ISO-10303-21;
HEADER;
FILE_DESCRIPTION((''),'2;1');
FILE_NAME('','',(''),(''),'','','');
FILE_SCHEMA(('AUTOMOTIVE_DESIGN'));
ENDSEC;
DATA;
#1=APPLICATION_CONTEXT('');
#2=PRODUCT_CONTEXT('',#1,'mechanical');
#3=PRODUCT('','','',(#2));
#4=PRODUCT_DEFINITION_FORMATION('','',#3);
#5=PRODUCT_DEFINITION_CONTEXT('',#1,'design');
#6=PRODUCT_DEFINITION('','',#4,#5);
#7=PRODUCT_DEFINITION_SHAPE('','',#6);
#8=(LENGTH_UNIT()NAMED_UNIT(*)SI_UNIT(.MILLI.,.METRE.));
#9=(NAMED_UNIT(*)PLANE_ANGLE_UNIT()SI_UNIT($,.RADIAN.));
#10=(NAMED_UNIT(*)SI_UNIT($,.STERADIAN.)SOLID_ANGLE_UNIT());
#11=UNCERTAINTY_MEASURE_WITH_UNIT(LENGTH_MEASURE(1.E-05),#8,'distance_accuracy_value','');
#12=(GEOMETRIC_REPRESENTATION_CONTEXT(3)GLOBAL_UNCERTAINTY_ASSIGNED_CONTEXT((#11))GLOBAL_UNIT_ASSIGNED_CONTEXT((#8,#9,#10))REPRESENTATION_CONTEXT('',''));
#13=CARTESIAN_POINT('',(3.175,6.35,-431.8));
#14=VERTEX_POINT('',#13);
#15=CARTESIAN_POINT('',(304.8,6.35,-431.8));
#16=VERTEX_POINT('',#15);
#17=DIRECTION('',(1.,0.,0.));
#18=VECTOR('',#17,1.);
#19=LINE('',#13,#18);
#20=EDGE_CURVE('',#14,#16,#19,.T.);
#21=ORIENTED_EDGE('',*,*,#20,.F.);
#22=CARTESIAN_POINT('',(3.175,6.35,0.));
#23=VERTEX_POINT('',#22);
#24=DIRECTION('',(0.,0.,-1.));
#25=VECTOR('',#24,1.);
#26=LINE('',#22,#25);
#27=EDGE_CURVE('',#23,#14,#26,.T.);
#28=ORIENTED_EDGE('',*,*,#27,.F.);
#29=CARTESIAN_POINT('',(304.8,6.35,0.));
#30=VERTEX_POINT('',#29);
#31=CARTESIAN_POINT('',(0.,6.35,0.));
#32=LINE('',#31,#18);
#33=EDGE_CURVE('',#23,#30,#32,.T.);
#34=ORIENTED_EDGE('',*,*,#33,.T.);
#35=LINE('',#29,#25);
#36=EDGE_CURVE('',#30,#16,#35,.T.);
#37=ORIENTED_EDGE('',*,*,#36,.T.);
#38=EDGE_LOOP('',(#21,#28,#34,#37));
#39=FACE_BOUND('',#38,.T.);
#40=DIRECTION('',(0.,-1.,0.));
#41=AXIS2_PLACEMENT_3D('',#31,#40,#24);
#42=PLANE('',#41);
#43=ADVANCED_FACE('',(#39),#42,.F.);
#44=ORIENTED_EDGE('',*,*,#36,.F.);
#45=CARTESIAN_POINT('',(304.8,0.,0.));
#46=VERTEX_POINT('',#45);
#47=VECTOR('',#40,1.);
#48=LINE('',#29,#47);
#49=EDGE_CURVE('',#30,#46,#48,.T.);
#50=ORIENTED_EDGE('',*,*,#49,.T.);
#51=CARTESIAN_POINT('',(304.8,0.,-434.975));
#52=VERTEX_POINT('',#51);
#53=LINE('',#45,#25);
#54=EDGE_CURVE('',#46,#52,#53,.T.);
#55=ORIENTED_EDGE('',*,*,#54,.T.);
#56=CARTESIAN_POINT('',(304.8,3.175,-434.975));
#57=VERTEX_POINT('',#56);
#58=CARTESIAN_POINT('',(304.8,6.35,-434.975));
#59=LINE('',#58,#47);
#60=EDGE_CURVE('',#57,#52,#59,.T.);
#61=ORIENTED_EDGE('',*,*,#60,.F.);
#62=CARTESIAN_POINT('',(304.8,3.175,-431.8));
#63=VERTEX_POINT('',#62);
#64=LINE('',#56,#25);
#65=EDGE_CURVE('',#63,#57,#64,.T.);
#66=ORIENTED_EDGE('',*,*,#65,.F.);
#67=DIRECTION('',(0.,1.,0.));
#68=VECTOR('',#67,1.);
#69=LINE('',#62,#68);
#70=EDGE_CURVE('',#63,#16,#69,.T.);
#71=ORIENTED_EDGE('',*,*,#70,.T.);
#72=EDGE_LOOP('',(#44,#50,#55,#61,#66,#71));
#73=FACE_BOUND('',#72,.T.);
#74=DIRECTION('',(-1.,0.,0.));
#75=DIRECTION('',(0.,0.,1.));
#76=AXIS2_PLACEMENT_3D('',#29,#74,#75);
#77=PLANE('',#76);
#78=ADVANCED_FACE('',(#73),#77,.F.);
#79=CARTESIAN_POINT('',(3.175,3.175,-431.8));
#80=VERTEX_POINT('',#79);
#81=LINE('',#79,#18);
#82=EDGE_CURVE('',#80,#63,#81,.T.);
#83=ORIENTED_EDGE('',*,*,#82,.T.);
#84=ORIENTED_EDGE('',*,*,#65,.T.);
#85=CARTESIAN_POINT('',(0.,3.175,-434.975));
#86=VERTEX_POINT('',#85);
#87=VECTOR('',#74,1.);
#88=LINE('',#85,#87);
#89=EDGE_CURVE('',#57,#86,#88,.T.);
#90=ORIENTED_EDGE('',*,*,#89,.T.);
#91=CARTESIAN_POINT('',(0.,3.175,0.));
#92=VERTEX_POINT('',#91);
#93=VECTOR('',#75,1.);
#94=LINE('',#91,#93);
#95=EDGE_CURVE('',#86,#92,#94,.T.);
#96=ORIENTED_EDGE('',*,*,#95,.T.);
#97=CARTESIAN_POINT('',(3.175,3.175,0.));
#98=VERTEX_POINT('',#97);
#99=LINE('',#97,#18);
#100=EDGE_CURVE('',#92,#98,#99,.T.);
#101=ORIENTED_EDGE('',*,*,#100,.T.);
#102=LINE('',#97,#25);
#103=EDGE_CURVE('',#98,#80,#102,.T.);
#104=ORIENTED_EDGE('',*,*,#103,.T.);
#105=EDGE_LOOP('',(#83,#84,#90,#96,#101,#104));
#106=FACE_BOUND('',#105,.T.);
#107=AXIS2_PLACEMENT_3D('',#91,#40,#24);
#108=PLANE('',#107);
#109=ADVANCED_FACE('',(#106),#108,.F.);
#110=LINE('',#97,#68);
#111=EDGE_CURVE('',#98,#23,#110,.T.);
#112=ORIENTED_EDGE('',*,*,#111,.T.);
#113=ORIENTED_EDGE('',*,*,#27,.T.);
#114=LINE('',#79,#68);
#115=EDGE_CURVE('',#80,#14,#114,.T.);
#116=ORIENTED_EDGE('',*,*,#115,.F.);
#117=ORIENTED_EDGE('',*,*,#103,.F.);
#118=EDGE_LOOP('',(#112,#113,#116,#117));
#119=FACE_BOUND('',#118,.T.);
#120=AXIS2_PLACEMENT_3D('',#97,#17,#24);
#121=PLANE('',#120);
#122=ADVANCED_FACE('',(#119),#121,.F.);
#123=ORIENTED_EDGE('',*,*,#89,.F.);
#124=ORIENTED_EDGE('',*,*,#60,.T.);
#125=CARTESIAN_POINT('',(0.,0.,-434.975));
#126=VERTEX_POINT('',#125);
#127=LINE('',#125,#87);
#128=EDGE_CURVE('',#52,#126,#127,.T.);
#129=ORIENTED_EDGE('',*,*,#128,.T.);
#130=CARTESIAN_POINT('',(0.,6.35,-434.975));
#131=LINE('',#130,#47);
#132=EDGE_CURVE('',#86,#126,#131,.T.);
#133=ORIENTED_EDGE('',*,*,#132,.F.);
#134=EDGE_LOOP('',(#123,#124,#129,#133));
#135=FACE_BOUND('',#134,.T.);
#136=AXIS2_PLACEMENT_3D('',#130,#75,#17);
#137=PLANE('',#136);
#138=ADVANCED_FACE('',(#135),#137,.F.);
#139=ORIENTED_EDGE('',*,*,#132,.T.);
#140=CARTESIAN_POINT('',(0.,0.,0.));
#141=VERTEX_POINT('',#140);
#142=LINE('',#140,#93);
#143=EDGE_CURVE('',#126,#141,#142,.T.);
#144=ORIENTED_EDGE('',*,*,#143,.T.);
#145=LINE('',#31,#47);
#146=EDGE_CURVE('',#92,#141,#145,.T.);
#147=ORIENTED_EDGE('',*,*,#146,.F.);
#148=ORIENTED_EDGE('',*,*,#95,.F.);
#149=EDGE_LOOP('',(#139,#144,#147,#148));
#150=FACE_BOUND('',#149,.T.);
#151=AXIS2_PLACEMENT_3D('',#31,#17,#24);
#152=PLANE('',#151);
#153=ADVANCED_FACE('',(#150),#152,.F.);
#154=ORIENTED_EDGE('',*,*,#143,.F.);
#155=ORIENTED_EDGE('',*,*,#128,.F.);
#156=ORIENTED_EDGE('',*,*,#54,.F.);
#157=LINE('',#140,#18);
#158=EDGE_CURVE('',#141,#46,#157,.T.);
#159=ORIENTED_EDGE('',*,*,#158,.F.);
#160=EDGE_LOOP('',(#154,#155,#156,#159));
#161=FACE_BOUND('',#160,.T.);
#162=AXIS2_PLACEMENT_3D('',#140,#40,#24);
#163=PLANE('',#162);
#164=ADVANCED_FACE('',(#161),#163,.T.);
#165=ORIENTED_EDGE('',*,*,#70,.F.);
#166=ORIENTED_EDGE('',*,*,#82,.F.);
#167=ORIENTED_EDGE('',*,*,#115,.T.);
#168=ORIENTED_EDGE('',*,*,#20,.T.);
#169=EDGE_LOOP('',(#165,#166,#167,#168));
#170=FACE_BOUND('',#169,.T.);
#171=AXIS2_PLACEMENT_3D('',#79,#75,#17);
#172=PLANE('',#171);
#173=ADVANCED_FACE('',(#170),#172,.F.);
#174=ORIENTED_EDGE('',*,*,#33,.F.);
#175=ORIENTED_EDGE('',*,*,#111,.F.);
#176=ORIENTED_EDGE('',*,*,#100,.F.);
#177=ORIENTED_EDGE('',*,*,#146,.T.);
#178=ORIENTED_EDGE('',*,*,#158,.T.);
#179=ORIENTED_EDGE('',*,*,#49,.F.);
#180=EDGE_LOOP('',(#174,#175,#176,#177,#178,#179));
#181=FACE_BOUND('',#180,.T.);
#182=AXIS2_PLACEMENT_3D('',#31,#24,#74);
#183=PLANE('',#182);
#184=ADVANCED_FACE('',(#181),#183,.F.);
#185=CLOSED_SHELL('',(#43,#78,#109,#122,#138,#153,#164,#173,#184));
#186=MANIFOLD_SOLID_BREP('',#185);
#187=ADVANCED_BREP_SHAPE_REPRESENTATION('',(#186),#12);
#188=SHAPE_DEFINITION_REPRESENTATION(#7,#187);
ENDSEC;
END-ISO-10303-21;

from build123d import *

# Parameters (mm, degrees)
SKETCH1_W           = 304.8
SKETCH1_H           = 434.975
BOSS_EXTRUDE1_DEPTH = 6.35
CUT_EXTRUDE1_DEPTH  = 3.175


with BuildPart() as part:
    # Sketch1 → Boss-Extrude1 (new body)
    with BuildSketch(Plane(origin=(0, 0, 0), x_dir=(1, 0, 0), z_dir=(0, 1, 0))):
        with Locations((152.4, 217.4875)):
            Rectangle(SKETCH1_W, SKETCH1_H)
    extrude(amount=BOSS_EXTRUDE1_DEPTH)

    # Sketch2 → Cut-Extrude1 (cut)
    with BuildSketch(Plane(origin=(0, 6.35, 0), x_dir=(1, 0, 0), z_dir=(0, 1, 0))):
        Polygon((3.175, 0), (3.175, 431.8), (304.8, 431.8), (304.8, 434.975), (0, 434.975), (0, 0), align=None)
    extrude(amount=-CUT_EXTRUDE1_DEPTH, mode=Mode.SUBTRACT)


solid = part.part
